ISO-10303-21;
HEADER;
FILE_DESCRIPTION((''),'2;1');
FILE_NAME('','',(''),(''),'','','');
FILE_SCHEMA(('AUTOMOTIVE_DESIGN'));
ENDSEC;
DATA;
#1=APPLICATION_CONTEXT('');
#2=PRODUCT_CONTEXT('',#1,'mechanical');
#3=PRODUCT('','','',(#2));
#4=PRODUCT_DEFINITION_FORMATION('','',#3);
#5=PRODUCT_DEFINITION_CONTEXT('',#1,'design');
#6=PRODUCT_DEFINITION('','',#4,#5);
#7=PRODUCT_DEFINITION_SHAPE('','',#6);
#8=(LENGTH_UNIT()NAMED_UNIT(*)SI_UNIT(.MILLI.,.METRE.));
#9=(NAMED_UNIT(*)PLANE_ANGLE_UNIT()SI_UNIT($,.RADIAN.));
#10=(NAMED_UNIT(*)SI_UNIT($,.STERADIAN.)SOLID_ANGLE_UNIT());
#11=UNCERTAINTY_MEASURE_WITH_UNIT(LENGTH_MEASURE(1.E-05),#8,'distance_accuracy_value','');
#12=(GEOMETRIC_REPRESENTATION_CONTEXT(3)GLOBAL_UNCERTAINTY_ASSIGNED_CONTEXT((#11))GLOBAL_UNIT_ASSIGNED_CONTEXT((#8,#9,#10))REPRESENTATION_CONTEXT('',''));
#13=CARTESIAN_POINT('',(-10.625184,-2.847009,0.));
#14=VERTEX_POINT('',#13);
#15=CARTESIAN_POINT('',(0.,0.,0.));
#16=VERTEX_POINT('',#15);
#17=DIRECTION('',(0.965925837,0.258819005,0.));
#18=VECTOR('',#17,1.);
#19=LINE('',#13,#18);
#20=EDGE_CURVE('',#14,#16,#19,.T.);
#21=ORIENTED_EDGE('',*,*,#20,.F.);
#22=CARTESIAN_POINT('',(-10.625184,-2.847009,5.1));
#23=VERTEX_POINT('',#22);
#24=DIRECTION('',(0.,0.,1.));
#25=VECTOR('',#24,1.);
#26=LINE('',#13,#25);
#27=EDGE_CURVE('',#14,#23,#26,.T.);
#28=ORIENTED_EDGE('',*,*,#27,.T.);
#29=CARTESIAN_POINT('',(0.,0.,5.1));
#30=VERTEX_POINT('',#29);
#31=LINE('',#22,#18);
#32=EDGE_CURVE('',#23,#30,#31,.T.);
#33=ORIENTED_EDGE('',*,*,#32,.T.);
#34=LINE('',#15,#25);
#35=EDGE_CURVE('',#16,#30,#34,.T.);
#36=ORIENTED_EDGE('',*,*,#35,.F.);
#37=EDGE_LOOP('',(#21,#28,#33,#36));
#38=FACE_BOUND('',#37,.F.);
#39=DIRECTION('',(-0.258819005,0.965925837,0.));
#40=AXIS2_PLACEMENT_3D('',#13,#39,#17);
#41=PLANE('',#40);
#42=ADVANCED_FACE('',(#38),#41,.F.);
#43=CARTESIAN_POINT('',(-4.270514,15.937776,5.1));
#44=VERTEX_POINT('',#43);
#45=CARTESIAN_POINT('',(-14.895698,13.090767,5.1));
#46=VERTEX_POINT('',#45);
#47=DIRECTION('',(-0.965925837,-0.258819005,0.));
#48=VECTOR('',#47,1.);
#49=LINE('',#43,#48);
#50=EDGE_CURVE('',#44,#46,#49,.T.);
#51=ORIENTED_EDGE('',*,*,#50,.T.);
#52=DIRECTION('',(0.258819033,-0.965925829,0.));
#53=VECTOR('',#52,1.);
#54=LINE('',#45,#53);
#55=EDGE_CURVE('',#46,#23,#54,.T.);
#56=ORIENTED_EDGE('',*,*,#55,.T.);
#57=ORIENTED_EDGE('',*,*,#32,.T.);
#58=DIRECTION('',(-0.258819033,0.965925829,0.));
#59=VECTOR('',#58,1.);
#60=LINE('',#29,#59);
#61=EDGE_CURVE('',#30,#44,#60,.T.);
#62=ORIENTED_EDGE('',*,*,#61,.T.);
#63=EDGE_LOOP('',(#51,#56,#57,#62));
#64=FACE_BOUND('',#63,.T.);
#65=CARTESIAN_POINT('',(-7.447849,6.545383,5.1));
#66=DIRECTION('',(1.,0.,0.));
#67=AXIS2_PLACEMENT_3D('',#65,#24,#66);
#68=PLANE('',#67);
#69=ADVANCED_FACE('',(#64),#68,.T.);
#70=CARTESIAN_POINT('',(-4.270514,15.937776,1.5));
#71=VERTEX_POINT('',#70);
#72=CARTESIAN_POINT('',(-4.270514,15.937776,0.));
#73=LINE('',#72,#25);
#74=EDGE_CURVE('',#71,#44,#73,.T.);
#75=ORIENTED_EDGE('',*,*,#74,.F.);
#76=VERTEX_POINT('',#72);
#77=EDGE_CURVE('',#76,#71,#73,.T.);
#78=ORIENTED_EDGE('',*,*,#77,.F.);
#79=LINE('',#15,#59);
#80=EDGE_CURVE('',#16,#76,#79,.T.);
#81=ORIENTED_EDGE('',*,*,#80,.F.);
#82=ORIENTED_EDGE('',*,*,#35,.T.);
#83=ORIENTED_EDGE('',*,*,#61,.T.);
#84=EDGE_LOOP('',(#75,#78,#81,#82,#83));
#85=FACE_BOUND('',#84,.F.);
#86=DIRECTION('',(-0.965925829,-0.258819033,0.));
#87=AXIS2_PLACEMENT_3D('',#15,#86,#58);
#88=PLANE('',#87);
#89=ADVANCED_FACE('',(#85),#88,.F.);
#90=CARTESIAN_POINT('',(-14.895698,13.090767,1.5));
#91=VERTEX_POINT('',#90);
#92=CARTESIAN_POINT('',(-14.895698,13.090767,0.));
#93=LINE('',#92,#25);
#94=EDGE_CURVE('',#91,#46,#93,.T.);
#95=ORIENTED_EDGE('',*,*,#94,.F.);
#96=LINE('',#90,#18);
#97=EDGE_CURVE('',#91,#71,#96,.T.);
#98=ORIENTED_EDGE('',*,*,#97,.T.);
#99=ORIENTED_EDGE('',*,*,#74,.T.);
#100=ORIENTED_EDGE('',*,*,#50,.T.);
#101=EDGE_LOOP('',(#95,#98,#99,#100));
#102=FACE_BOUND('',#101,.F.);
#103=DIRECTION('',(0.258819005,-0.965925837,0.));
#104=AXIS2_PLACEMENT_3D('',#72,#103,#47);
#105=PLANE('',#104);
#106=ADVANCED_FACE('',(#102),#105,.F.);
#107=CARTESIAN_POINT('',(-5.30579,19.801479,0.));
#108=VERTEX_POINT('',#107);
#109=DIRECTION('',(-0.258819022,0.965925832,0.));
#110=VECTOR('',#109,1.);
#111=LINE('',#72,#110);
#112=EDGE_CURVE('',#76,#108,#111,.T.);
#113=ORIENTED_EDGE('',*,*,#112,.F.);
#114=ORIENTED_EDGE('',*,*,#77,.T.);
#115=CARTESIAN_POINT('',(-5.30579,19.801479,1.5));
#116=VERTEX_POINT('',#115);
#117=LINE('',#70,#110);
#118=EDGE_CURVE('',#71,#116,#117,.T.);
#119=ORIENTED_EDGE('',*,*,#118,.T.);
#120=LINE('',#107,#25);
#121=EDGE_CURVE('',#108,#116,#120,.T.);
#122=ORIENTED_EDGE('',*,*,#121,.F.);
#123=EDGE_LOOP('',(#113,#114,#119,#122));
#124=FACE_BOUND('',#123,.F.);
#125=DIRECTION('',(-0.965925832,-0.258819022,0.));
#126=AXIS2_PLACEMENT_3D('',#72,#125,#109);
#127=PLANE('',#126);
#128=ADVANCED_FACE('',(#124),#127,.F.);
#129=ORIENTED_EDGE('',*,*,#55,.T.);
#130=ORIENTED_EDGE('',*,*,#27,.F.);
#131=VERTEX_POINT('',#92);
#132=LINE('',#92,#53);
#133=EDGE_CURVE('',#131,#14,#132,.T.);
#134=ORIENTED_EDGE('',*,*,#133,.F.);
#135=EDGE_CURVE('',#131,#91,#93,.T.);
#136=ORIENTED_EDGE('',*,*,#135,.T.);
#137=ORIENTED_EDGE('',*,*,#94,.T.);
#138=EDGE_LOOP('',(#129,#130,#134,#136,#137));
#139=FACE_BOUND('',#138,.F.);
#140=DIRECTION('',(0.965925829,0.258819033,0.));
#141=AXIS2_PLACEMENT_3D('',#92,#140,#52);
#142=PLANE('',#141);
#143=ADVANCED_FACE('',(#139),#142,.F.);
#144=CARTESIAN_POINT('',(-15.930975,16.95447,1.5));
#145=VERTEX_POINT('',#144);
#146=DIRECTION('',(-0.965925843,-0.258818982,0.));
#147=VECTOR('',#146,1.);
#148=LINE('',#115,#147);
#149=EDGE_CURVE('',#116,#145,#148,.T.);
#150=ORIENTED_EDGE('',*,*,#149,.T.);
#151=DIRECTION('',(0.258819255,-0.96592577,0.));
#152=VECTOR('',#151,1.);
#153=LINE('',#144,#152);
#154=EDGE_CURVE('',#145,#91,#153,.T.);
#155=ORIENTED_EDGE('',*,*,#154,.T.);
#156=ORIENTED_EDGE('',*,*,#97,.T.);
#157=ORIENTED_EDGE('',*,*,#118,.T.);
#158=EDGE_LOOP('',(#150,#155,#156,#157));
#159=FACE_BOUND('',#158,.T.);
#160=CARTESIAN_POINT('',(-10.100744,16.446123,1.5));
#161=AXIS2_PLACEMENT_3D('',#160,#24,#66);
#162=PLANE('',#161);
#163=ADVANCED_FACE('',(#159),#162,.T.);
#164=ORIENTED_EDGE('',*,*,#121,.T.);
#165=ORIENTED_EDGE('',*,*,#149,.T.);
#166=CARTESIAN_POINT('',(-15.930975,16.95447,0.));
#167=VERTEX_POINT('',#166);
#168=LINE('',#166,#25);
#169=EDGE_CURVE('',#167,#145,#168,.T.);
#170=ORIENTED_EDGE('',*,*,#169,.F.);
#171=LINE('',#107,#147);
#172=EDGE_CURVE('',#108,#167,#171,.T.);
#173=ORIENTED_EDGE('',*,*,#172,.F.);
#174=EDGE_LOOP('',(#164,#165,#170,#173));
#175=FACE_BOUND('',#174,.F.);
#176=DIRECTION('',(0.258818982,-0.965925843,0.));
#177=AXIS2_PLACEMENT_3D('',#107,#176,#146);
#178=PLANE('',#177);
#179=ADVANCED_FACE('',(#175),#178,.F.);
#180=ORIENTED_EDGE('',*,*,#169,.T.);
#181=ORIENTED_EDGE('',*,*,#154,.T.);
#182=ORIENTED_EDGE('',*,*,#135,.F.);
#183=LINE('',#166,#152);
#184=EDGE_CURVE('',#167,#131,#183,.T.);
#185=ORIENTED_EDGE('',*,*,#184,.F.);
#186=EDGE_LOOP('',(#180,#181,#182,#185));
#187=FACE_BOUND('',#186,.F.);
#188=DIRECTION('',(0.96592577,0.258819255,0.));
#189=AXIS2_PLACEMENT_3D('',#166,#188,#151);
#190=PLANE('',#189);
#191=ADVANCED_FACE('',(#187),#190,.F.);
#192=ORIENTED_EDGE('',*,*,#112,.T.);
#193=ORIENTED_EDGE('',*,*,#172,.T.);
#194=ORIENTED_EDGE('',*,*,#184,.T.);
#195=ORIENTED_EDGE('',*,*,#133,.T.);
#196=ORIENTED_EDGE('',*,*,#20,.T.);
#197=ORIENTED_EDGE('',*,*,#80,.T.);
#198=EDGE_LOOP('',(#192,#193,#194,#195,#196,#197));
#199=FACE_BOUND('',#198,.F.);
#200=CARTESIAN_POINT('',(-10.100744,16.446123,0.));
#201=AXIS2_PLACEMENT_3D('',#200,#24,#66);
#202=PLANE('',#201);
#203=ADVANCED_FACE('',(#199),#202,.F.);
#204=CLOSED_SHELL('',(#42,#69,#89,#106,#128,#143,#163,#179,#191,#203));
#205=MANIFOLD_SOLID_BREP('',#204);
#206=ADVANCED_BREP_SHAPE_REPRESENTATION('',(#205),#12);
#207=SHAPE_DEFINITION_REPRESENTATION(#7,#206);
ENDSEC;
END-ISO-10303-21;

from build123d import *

# Parameters (mm, degrees)
F1_DEPTH = 5.1
F2_DEPTH = 1.5


with BuildPart() as f1:
    # F0 (on Top) → F1 (new body)
    with BuildSketch(Plane.XY):
        Polygon((0, 0), (-4.270514, 15.937776), (-14.895698, 13.090767), (-10.625184, -2.847009), align=None)
    extrude(amount=F1_DEPTH)

    # F0 (on Top) → F2 (join)
    with BuildSketch(Plane.XY):
        Polygon((-4.270514, 15.937776), (-5.30579, 19.801479), (-15.930975, 16.95447), (-14.895698, 13.090767), align=None)
    extrude(amount=F2_DEPTH)


solid = f1.part
